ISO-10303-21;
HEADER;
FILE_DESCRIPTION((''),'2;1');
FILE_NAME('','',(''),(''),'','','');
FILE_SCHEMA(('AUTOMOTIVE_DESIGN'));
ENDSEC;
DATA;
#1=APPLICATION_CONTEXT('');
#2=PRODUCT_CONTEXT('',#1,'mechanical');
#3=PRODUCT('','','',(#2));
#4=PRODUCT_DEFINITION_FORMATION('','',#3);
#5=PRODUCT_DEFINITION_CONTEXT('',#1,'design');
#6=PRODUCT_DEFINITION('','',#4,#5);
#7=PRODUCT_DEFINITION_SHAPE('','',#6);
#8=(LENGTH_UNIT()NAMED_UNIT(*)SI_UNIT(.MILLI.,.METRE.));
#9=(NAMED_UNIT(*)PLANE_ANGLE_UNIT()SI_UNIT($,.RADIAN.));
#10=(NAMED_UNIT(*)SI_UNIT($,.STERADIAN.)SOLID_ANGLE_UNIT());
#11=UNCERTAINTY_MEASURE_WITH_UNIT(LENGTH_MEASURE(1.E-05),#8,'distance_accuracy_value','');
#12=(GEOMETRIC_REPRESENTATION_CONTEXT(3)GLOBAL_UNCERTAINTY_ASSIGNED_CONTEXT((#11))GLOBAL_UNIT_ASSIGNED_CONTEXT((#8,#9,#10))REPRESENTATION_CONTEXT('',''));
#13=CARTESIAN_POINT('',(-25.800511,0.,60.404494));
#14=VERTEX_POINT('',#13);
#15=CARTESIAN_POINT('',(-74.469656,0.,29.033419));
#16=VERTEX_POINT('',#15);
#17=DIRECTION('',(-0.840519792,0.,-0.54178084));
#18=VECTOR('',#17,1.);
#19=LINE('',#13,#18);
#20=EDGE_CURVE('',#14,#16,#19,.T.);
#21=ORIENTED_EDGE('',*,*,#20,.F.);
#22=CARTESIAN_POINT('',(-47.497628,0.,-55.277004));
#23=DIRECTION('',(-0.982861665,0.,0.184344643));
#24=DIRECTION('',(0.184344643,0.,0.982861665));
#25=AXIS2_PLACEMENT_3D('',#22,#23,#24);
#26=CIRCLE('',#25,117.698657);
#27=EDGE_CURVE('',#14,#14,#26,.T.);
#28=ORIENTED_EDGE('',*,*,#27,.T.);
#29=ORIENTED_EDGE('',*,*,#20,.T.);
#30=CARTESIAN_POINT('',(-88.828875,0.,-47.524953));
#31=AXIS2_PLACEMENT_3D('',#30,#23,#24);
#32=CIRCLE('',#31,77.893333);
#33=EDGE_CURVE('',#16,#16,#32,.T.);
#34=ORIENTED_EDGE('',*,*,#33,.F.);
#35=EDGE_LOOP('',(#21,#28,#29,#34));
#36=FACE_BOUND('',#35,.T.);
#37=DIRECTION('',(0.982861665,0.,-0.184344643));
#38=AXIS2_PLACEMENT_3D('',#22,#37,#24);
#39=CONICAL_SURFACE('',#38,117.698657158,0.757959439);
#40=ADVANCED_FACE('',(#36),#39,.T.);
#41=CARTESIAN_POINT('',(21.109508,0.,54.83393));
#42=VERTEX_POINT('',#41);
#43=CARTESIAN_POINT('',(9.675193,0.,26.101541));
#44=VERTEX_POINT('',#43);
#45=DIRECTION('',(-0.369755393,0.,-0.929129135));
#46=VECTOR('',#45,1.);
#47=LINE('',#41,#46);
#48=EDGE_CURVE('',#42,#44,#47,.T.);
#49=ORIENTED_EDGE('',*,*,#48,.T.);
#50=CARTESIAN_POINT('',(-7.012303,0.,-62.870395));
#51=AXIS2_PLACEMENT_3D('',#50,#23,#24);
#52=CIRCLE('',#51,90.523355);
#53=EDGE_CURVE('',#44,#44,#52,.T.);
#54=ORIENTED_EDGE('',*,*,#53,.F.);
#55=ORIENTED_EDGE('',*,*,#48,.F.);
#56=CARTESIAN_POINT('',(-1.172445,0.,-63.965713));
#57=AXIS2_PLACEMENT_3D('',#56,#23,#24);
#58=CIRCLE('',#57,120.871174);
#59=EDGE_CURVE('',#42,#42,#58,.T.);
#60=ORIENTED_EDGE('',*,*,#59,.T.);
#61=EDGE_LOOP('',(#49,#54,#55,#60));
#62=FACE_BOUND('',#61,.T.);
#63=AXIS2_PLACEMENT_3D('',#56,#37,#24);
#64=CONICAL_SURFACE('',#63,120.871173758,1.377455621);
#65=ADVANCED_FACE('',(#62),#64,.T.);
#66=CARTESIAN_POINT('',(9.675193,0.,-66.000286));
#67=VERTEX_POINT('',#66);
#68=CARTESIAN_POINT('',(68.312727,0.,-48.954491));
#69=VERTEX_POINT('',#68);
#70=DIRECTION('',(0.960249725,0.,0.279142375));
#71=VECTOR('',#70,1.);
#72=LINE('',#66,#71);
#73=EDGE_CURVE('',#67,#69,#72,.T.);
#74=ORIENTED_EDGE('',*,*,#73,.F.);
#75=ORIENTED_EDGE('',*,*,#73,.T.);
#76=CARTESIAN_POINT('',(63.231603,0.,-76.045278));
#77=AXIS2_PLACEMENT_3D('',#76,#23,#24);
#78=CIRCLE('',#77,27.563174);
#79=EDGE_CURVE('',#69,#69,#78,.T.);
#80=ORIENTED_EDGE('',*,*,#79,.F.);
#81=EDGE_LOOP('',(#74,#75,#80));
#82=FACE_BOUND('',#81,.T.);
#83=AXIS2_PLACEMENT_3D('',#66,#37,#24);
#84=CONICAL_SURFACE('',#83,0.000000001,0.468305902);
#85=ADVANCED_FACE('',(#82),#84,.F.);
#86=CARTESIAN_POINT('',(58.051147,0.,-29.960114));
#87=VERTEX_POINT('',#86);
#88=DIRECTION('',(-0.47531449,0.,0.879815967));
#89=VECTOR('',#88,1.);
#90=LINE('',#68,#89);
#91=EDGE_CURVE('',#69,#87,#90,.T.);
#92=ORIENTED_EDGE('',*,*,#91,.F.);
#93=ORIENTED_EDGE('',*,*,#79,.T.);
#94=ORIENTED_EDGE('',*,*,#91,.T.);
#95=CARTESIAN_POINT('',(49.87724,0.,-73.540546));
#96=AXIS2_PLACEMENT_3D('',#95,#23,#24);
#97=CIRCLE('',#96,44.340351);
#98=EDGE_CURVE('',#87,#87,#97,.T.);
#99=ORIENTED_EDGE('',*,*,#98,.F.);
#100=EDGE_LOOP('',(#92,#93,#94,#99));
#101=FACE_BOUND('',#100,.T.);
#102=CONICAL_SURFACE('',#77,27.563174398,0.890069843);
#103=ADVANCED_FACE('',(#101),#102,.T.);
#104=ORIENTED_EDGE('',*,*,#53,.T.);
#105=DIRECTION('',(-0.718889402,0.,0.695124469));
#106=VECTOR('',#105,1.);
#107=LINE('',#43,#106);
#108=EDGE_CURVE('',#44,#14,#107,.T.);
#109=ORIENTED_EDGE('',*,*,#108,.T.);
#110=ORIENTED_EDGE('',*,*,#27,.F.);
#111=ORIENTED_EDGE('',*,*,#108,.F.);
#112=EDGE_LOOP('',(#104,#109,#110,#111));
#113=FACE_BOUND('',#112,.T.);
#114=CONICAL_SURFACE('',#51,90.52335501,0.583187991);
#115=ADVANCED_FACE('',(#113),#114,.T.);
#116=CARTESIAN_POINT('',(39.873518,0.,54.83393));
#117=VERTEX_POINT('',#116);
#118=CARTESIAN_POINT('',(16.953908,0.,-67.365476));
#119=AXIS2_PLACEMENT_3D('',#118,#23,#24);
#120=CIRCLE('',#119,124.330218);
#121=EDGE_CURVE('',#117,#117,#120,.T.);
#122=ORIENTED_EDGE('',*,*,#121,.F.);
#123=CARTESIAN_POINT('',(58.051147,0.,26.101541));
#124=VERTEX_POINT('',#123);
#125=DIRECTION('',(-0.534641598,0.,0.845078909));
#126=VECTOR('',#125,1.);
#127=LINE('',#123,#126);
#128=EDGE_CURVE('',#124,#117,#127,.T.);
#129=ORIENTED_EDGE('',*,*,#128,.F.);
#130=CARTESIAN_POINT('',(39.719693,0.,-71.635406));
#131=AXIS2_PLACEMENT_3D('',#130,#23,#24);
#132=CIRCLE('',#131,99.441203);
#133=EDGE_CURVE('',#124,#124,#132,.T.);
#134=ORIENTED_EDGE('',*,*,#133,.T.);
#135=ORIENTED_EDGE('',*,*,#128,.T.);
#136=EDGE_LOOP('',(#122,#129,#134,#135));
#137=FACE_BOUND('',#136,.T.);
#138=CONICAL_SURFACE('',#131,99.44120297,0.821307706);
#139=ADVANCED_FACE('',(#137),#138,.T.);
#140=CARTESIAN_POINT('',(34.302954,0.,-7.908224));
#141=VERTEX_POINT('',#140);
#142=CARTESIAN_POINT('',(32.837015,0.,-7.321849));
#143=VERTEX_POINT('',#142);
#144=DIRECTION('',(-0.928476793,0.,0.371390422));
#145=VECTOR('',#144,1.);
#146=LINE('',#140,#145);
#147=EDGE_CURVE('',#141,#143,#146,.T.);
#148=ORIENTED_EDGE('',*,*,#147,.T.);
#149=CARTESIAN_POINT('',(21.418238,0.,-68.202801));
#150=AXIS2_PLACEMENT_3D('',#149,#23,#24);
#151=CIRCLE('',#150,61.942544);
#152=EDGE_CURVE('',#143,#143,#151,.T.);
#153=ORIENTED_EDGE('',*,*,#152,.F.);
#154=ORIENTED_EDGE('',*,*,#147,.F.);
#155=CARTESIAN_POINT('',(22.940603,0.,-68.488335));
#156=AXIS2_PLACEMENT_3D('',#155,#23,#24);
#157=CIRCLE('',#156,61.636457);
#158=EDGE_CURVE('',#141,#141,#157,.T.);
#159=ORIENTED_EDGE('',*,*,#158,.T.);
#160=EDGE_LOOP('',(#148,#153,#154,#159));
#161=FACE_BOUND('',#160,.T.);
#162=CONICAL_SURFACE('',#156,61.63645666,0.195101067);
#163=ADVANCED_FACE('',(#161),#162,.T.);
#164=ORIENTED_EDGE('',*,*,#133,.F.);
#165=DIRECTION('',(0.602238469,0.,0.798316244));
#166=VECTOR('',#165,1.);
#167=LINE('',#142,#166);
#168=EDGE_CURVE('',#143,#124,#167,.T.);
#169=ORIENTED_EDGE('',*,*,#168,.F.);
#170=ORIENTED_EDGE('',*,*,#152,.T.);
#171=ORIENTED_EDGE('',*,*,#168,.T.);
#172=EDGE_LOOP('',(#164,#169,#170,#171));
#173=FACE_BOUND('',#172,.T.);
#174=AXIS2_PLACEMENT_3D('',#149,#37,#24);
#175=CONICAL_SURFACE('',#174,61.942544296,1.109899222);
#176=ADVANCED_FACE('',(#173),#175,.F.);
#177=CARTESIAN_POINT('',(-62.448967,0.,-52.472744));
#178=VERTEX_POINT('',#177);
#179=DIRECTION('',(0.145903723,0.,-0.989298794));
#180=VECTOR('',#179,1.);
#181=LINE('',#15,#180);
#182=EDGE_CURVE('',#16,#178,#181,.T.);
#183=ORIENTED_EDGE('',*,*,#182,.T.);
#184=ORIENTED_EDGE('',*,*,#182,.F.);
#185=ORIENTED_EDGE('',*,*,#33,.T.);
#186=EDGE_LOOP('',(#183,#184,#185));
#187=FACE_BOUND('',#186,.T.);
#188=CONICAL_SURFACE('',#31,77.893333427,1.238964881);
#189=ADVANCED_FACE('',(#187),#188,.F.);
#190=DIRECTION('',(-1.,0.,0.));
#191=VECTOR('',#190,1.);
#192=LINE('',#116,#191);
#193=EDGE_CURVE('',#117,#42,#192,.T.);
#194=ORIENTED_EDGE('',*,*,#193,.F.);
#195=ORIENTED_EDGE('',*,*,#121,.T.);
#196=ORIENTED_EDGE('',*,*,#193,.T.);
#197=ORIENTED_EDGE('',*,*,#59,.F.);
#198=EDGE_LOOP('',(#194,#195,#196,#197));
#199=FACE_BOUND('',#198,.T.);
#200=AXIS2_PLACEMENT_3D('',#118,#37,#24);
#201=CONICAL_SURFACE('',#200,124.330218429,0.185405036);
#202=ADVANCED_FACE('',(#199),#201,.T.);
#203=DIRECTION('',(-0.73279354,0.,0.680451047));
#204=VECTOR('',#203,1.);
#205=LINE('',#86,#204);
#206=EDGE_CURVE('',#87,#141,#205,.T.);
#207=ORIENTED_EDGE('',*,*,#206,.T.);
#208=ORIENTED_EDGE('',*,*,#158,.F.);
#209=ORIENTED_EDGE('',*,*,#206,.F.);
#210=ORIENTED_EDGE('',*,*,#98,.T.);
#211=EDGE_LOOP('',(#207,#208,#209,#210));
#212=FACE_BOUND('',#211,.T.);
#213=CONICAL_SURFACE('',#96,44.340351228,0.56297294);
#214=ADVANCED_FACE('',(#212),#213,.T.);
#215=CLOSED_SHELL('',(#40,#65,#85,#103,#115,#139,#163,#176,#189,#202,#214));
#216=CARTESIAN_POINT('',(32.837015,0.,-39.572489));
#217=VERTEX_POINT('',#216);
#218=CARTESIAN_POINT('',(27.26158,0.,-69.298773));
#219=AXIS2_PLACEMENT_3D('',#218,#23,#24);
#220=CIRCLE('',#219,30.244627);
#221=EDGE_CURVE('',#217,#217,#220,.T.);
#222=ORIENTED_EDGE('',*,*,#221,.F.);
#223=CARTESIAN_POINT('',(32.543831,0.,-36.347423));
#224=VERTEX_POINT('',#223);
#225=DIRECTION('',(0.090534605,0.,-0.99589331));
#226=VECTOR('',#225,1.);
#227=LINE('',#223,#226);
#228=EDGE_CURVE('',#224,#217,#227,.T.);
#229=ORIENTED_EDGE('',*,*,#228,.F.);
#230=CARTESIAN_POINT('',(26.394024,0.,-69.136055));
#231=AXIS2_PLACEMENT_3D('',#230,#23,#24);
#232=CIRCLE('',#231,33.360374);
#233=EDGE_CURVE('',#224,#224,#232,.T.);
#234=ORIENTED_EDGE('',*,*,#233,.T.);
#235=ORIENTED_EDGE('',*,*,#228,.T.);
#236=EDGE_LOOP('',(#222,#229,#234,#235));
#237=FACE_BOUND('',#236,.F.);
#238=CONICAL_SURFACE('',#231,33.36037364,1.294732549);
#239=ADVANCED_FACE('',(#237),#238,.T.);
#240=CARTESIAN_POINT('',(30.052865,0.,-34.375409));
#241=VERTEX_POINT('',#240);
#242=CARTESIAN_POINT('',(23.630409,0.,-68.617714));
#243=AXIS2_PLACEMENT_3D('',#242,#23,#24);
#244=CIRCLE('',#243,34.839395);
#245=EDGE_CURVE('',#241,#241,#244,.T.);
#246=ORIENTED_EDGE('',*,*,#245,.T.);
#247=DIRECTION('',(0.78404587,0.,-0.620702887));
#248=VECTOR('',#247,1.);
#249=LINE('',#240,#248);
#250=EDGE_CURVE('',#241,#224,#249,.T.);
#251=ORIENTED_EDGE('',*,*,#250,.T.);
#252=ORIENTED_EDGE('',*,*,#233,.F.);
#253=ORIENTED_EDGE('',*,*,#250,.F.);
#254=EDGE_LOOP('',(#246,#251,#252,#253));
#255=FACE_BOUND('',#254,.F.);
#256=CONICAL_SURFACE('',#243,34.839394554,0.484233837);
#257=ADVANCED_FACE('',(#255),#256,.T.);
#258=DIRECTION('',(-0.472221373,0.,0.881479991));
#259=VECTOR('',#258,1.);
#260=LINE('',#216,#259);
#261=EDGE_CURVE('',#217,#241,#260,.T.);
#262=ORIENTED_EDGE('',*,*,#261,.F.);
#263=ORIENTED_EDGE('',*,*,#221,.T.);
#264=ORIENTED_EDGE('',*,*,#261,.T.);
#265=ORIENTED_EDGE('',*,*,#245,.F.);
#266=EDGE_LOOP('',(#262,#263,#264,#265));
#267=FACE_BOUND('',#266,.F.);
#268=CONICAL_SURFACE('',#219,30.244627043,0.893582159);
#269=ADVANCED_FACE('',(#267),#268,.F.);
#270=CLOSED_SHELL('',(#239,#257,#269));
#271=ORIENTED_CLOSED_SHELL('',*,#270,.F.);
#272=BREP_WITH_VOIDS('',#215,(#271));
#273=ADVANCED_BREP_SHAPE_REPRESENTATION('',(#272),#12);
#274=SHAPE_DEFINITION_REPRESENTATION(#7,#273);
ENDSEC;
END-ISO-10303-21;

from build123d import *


with BuildPart() as f1:
    # F0 (on Front) → F1 (revolve)
    with BuildSketch(Plane.XZ):
        Polygon((21.1095083505, 54.8339299858), (9.6751926467, 26.1015407741), (-25.800511241, 60.4044944048), (-74.4696557522, 29.0334187448), (-62.4489672482, -52.472744137), (9.6751926467, -66.0002861983), (68.3127269149, -48.9544905722), (58.0511465669, -29.9601143936), (34.3029536307, -7.9082241282), (32.8370146453, -7.3218489997), (58.0511465669, 26.1015407741), (39.8735180497, 54.8339299858), align=None)
        Polygon((32.8370146453, -39.5724885166), (-29.9051366746, -51.8863685429), (-9.6751926467, -2.924034372), (-69.1922828555, 19.9446007609), (-18.7640096992, 34.6039831638), (-34.3029536307, 16.4263490587), (-4.3978160247, 9.0966587886), (2.0523162093, 17.8922880441), (30.0528650084, -34.3754086384), (32.5438305736, -36.3474227488), align=None, mode=Mode.SUBTRACT)
        Polygon((-9.6751926467, -2.924034372), (-29.9051366746, -51.8863685429), (32.8370146453, -39.5724885166), (30.0528650084, -34.3754086384), align=None)
        Polygon((-69.1922828555, 19.9446007609), (-9.6751926467, -2.924034372), (30.0528650084, -34.3754086384), (2.0523162093, 17.8922880441), (-4.3978160247, 9.0966587886), (-34.3029536307, 16.4263490587), (-18.7640096992, 34.6039831638), align=None)
    revolve(axis=Axis((-26.3868873008, 0, -59.2365151677), (-0.982861665, 0, 0.1843446431)))


solid = f1.part
